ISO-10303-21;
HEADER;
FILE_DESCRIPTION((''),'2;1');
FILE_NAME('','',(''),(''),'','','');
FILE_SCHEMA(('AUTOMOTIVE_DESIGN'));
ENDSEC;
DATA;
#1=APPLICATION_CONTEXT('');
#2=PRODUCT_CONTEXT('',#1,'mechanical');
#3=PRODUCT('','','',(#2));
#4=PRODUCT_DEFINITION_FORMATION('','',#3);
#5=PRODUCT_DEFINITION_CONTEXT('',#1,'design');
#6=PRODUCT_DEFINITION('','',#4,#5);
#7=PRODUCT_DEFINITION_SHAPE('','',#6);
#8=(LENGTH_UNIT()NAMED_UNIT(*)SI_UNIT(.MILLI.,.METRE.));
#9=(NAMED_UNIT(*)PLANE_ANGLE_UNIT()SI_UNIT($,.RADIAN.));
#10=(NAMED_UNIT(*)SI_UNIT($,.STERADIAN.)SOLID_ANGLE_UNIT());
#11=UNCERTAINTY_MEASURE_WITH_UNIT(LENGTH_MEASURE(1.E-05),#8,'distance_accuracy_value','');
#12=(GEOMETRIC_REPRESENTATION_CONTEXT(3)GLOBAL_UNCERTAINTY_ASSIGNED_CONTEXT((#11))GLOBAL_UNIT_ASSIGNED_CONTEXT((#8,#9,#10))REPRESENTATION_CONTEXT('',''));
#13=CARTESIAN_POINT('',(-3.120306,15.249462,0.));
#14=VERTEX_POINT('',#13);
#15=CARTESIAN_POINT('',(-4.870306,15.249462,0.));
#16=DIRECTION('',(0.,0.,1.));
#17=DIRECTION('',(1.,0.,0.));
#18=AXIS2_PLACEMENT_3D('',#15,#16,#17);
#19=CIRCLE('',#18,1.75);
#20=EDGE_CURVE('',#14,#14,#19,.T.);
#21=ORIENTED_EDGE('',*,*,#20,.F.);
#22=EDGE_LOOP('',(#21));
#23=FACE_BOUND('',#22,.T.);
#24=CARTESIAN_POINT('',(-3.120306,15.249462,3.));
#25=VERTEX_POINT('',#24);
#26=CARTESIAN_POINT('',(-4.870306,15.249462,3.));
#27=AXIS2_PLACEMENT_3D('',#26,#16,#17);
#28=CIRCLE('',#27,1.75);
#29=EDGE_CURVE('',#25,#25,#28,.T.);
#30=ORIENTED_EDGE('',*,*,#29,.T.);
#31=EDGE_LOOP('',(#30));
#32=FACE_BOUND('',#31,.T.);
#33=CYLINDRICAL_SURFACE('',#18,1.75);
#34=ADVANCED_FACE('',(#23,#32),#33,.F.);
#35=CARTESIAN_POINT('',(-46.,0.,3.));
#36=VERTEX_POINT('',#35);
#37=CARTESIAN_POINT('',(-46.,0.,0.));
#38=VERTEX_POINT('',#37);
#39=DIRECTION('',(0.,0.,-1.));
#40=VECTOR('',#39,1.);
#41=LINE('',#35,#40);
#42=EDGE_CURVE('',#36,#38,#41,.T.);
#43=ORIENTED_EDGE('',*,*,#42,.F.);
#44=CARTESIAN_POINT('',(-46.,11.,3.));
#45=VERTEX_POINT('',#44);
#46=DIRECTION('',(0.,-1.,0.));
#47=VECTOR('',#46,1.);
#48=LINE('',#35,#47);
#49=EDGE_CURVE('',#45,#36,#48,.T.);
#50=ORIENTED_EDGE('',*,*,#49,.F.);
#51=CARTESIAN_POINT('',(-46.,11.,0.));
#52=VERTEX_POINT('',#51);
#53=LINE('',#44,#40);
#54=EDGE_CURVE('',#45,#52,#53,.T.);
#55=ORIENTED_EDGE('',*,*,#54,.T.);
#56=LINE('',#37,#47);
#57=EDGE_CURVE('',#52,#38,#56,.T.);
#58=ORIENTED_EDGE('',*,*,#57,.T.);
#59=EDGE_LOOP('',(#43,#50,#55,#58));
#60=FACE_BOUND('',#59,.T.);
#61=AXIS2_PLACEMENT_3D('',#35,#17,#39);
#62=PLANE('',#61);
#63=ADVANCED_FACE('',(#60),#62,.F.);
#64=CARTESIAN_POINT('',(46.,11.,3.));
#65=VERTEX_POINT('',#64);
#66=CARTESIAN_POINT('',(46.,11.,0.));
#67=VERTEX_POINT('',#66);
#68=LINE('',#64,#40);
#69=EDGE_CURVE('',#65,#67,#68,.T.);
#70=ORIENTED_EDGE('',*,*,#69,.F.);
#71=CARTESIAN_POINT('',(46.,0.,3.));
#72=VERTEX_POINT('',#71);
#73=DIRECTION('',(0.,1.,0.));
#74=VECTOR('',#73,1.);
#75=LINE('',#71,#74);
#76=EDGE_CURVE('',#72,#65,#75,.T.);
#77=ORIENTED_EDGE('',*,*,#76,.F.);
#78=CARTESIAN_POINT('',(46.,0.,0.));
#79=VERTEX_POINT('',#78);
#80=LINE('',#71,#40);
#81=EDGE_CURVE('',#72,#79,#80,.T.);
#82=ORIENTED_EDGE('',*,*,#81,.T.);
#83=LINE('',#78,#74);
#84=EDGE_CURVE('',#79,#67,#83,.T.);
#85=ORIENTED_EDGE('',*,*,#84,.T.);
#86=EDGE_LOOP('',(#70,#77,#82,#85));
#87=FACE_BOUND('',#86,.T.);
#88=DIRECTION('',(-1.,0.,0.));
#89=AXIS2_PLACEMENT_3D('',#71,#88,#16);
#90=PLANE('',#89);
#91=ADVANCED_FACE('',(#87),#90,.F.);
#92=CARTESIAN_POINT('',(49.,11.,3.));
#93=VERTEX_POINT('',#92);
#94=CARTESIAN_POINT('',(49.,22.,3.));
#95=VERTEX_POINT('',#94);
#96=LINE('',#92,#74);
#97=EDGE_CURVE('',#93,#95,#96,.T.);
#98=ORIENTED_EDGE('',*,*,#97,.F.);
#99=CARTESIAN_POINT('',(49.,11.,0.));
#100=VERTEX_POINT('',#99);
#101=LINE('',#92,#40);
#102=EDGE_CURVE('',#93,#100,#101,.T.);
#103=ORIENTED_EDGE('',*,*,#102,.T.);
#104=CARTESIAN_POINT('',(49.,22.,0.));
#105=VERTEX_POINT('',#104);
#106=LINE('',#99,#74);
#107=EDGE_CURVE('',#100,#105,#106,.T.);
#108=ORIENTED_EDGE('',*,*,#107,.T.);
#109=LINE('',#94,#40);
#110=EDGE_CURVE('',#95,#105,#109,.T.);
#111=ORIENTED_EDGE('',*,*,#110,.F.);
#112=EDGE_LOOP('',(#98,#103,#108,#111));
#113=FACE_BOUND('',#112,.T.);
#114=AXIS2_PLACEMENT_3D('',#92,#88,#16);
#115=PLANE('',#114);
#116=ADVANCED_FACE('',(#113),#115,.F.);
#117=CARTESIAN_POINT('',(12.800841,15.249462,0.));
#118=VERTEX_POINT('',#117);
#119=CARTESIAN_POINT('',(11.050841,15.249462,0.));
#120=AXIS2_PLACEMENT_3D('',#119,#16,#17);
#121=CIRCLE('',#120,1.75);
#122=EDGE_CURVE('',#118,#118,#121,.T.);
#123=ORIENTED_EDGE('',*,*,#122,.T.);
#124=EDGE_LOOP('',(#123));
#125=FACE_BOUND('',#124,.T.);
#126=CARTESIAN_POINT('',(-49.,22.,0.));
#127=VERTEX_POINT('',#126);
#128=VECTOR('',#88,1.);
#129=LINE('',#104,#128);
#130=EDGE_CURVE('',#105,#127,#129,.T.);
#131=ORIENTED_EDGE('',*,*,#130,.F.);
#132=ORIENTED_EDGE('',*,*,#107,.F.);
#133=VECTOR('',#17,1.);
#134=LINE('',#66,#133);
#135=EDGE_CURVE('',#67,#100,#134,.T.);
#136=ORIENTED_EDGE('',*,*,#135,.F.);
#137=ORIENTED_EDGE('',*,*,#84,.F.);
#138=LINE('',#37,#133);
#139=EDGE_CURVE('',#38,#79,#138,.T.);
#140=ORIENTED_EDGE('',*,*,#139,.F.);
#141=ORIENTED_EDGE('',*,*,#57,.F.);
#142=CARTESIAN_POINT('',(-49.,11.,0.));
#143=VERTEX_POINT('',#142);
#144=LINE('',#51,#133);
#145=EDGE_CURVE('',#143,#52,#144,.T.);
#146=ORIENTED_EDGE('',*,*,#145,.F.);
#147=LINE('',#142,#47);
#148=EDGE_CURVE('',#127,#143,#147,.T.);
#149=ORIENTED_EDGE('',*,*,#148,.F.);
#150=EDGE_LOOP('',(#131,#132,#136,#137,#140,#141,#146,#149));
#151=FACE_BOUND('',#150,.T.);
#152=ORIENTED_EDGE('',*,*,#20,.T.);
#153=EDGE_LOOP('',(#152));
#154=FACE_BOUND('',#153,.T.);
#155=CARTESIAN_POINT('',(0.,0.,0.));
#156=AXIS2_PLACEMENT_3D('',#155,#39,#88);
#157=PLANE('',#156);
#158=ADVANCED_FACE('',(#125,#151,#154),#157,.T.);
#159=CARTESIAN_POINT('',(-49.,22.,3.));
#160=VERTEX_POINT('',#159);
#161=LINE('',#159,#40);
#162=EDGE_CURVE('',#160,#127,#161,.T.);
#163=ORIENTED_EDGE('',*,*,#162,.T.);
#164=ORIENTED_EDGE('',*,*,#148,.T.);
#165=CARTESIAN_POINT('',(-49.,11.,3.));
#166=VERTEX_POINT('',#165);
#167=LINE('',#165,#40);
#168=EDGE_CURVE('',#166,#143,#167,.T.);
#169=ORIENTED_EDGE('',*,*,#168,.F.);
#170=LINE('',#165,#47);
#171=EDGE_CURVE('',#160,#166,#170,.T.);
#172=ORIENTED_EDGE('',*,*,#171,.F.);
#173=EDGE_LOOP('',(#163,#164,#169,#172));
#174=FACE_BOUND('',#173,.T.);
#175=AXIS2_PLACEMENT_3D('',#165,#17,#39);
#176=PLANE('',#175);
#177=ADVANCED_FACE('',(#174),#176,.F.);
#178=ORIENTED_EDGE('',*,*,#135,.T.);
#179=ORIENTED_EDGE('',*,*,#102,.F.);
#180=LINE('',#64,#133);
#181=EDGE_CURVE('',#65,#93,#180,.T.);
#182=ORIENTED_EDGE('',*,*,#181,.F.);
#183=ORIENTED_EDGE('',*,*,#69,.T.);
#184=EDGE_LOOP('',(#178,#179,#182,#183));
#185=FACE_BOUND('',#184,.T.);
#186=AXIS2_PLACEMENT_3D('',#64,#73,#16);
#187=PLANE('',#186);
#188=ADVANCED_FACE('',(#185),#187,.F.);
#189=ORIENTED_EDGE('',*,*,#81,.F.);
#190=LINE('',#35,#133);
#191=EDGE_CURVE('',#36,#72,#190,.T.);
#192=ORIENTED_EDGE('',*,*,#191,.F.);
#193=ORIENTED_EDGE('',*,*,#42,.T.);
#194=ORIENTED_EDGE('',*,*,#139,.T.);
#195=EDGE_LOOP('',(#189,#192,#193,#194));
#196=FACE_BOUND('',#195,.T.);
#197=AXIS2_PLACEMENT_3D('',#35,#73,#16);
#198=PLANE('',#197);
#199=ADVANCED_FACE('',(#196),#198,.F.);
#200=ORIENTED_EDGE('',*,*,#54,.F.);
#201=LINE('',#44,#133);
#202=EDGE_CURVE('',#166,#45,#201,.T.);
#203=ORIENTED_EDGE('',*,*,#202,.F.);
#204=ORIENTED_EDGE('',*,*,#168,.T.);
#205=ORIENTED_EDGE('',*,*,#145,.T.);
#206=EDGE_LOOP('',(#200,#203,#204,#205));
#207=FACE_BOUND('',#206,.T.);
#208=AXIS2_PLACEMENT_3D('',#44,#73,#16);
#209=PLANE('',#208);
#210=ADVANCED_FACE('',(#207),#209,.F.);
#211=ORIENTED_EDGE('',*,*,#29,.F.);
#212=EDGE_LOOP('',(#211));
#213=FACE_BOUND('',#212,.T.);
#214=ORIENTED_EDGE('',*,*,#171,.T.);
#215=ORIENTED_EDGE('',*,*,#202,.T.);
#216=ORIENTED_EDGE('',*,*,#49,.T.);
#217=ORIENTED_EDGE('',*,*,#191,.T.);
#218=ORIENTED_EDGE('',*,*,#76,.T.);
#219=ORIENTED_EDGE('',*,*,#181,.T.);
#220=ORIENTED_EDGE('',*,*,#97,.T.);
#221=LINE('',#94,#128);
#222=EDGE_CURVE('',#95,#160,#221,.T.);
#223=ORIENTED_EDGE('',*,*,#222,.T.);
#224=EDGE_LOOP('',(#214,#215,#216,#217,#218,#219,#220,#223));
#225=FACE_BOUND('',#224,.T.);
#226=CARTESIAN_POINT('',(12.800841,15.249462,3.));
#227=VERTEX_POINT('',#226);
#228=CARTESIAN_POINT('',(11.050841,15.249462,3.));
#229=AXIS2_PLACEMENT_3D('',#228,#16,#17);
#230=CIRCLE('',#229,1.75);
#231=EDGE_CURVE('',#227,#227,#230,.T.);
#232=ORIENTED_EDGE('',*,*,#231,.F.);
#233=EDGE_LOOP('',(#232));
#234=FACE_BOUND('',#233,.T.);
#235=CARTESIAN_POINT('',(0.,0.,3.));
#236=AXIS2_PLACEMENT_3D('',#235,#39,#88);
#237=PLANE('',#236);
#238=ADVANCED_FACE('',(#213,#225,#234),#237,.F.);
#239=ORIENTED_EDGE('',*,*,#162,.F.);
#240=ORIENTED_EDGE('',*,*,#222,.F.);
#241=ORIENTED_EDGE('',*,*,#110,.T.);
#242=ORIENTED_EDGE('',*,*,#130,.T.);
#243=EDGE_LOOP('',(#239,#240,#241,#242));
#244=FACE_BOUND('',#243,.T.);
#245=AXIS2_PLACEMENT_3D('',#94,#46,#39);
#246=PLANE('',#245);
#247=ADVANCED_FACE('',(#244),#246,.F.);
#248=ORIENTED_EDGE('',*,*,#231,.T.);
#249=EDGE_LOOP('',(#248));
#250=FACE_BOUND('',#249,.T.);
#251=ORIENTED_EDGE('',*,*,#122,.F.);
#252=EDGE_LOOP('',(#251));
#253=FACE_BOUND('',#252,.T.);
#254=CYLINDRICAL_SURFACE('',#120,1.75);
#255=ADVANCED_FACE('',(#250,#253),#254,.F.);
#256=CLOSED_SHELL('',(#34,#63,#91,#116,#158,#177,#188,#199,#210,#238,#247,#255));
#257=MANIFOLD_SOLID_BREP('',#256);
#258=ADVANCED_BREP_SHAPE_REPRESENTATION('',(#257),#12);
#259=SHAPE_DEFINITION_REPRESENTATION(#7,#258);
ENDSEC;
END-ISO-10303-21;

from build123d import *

# Parameters (mm, degrees)
SALIENTE_EXTRUIR1_DEPTH = 3
CROQUIS2_R              = 1.75
CORTAR_EXTRUIR1_DEPTH   = 3


with BuildPart() as part:
    # Croquis1 → Saliente-Extruir1 (new body)
    with BuildSketch(Plane.XY):
        Polygon((-46, 0), (46, 0), (46, 11), (49, 11), (49, 22), (-49, 22), (-49, 11), (-46, 11), align=None)
    extrude(amount=SALIENTE_EXTRUIR1_DEPTH)

    # Croquis2 → Cortar-Extruir1 (cut)
    with BuildSketch(Plane.XY.offset(3)):
        with Locations((-4.870305864, 15.24946205)):
            Circle(CROQUIS2_R)
        with Locations((11.05084095, 15.24946205)):
            Circle(CROQUIS2_R)
    extrude(amount=-CORTAR_EXTRUIR1_DEPTH, mode=Mode.SUBTRACT)


solid = part.part
